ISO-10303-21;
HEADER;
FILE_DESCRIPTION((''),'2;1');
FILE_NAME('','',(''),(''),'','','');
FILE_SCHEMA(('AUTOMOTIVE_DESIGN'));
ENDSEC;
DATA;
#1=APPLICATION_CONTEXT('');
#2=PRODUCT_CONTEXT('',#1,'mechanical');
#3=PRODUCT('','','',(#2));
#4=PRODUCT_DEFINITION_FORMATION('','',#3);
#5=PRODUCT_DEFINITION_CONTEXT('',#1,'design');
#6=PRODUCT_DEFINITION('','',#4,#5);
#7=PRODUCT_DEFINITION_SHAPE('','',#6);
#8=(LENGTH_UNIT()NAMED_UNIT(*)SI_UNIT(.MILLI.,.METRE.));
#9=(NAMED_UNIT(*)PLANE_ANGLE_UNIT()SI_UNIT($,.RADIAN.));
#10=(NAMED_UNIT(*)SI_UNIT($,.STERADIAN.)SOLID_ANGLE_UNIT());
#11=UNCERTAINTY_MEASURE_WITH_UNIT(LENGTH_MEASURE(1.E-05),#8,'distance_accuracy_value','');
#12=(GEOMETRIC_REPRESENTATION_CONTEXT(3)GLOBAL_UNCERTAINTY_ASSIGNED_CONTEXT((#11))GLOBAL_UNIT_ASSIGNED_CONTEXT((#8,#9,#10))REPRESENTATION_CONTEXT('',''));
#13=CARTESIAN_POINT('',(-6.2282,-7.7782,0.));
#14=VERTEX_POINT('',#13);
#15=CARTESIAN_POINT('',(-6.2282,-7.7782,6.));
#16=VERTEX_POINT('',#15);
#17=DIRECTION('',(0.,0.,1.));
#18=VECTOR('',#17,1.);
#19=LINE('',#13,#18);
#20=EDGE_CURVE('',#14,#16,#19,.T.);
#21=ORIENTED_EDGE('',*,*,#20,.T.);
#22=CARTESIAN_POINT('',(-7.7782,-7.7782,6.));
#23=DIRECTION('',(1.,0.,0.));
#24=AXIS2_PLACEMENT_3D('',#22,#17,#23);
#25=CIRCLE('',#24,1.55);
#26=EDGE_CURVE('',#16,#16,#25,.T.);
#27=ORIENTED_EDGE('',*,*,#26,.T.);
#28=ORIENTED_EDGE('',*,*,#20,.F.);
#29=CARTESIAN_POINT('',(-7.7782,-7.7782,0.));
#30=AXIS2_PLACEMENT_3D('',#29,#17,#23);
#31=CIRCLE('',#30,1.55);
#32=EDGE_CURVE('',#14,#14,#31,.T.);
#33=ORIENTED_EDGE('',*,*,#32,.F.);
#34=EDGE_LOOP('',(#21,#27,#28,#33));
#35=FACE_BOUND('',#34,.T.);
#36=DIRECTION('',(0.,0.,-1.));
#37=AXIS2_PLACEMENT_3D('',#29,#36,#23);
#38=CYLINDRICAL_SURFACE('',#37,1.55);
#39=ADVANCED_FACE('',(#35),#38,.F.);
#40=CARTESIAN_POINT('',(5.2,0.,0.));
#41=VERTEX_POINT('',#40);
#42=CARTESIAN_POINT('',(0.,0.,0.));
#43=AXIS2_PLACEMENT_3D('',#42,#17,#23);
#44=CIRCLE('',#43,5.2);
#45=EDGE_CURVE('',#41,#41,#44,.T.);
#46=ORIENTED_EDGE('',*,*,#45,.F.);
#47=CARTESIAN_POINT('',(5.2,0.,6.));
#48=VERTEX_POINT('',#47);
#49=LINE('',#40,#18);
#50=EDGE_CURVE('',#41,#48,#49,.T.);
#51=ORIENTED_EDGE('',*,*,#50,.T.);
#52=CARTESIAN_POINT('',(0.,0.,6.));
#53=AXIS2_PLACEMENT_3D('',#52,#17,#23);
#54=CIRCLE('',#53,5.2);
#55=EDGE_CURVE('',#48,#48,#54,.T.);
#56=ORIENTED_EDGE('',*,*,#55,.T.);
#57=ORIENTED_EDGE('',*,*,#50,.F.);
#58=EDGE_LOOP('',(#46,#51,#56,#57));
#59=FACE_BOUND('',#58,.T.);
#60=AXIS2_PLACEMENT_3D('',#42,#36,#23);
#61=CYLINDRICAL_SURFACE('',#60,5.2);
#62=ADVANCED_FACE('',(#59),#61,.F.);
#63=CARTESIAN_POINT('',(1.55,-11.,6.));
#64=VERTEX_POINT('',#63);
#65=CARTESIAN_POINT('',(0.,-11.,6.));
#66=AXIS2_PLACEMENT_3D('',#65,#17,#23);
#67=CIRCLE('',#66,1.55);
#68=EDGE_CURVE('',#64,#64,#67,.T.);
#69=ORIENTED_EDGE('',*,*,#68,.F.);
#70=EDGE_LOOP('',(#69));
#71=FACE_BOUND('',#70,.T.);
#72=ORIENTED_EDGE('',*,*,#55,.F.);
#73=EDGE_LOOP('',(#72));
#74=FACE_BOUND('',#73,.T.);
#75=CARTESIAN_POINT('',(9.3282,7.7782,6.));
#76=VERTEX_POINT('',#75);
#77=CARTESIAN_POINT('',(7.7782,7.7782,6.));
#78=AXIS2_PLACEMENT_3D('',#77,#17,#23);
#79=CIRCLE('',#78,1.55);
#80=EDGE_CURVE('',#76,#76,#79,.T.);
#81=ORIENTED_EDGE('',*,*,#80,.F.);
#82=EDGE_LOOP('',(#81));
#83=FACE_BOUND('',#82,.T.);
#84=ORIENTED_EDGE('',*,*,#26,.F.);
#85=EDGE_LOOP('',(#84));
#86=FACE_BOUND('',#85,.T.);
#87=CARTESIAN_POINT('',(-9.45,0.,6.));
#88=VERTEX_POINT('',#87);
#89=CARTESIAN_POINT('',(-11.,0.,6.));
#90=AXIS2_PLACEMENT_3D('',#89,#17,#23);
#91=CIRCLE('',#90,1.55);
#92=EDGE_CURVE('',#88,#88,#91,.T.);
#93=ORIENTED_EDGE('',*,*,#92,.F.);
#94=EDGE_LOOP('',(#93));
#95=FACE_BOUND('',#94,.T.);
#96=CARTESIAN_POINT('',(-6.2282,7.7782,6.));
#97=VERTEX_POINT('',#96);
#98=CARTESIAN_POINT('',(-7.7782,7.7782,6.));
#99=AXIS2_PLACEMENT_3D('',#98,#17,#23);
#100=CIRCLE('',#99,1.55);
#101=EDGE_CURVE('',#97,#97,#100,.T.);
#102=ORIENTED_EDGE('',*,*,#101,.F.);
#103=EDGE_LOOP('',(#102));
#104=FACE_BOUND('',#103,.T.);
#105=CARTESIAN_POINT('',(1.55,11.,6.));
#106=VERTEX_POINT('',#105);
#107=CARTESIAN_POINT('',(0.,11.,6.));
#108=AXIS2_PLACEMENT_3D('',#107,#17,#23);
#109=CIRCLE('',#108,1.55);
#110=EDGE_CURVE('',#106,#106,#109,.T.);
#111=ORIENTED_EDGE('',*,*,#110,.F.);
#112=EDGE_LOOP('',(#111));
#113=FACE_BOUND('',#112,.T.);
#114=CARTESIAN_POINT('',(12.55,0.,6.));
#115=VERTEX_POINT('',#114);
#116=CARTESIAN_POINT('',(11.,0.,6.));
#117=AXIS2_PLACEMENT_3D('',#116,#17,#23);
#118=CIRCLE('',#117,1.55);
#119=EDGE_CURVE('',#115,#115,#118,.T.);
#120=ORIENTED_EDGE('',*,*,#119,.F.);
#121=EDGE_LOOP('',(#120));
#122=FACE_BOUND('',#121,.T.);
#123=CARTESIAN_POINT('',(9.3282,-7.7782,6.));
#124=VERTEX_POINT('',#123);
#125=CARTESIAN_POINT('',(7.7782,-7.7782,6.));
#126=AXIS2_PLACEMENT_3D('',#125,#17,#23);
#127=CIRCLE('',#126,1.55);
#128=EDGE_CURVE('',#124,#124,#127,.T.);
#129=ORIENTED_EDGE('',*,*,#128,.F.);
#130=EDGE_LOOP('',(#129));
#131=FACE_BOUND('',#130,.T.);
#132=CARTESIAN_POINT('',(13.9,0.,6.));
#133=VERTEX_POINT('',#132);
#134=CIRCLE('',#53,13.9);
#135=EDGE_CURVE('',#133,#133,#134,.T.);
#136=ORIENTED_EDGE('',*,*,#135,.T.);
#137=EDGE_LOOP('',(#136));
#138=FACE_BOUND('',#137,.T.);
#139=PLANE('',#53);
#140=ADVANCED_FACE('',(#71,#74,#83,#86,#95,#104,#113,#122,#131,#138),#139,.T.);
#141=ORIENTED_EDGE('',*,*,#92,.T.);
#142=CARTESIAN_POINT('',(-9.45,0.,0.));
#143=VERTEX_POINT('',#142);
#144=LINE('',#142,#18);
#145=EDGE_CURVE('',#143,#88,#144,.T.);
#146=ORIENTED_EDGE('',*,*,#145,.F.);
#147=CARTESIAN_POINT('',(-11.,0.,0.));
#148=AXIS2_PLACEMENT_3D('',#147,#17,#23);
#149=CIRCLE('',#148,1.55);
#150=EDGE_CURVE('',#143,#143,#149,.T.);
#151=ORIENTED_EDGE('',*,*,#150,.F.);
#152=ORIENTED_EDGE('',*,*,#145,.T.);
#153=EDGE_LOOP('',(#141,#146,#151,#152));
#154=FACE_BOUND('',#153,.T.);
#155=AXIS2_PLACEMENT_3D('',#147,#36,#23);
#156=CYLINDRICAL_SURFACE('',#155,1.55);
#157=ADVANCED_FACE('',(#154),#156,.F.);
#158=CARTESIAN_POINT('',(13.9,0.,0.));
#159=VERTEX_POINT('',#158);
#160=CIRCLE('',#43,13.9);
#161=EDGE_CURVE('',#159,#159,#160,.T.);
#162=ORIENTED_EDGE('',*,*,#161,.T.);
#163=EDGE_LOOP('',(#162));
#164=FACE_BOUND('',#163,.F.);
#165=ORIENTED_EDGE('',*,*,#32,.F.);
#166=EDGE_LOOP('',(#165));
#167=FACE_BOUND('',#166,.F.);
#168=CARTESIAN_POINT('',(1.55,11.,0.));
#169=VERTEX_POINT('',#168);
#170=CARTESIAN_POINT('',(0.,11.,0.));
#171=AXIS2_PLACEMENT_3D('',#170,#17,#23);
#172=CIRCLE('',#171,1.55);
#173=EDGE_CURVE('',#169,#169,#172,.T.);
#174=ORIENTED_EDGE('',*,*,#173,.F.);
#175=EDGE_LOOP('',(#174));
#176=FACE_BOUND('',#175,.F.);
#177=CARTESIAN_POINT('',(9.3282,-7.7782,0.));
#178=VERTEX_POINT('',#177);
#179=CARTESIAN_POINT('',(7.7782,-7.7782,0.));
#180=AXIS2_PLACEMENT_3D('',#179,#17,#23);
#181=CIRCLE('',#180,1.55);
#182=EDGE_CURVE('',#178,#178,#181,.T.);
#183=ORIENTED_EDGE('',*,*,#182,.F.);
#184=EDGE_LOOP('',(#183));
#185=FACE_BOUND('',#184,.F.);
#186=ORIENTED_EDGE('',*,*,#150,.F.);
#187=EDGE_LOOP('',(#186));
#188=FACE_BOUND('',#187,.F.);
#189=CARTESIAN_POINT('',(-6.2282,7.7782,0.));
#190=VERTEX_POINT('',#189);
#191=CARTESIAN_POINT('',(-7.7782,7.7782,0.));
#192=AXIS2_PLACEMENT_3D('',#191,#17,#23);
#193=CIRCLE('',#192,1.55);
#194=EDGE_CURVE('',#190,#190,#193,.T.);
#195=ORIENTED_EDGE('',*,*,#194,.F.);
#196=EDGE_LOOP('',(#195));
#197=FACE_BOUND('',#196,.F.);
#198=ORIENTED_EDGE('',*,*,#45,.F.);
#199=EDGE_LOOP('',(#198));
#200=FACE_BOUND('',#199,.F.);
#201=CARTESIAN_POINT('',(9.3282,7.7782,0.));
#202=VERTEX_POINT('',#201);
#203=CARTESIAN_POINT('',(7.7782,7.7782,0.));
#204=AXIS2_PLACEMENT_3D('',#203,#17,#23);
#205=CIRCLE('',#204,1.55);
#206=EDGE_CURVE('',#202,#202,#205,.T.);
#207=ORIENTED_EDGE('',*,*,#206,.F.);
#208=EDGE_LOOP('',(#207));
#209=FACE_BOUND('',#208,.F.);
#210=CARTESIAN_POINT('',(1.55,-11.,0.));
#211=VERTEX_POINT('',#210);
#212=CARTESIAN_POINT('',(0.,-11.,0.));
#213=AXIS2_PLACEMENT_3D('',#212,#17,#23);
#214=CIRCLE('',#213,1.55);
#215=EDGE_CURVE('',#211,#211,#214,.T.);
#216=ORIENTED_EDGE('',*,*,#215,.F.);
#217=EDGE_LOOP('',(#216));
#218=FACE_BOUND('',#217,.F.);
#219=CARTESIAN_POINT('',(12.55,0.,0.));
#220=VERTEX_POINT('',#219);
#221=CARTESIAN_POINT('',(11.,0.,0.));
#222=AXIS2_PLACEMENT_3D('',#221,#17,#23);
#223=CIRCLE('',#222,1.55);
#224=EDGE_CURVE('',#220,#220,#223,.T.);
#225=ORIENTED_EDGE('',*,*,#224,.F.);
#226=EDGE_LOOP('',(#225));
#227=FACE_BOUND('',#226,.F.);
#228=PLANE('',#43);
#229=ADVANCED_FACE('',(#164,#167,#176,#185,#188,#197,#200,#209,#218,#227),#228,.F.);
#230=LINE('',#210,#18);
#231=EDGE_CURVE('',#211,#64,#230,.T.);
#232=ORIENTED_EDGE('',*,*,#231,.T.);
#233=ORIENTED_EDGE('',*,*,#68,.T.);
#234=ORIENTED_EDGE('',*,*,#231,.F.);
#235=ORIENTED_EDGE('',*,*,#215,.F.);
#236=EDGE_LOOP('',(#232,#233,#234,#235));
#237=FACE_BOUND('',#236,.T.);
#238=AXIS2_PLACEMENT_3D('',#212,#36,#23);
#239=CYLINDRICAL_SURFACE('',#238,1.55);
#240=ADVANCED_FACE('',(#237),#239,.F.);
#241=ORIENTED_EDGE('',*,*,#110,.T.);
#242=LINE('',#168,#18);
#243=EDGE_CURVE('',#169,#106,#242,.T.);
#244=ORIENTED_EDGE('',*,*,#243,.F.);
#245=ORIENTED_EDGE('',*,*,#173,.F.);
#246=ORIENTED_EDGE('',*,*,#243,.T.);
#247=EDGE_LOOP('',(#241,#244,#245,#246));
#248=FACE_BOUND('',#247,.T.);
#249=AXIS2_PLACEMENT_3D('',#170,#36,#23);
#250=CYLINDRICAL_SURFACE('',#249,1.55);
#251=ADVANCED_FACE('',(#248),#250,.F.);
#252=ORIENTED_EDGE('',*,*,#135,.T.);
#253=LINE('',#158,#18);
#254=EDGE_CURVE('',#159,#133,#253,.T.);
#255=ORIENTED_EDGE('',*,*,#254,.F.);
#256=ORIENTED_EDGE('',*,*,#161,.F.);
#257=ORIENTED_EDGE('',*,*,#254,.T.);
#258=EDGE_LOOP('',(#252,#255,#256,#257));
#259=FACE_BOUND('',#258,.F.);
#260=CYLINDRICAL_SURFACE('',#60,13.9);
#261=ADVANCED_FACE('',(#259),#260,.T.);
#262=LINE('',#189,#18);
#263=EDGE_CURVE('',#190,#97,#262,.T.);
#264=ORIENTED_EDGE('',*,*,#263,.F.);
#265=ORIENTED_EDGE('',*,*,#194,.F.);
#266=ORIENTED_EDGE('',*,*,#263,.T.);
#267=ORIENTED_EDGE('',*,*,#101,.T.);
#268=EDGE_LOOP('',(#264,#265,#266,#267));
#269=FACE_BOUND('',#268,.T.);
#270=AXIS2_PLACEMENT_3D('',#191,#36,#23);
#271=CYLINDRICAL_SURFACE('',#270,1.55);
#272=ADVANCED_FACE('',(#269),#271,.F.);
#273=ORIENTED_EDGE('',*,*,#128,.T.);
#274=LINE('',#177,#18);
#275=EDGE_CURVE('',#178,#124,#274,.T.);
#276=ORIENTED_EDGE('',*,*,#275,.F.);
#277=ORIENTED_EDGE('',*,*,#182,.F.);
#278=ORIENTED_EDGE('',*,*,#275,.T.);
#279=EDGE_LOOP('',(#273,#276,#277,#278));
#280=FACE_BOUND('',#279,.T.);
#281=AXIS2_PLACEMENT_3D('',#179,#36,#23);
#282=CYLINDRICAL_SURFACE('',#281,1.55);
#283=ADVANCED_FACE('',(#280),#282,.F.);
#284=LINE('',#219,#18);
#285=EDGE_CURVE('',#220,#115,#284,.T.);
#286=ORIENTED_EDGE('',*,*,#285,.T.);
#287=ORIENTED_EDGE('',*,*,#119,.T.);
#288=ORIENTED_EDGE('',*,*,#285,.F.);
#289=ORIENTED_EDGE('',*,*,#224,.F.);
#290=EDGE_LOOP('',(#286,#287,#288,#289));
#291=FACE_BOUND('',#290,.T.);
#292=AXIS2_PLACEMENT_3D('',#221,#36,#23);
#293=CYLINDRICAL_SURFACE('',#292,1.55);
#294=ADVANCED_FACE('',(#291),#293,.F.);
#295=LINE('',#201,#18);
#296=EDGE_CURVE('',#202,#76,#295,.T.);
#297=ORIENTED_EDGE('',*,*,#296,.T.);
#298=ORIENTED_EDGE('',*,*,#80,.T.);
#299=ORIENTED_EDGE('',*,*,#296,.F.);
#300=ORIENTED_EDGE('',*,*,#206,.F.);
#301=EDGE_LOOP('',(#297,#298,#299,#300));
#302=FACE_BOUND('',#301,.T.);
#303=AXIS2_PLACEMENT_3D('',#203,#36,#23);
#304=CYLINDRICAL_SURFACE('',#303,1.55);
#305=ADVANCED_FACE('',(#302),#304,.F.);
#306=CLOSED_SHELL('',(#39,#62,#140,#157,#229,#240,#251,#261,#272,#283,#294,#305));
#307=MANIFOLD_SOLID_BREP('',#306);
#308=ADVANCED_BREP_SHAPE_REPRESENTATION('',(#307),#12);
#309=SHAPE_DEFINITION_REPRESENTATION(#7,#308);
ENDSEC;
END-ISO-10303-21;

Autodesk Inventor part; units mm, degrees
ref_plane "YZ Plane" through (0, 0, 0) normal (1, 0, 0) x (0, 1, 0)
ref_plane "XZ Plane" through (0, 0, 0) normal (0, 1, 0) x (-1, 0, 0)
ref_plane "XY Plane" through (0, 0, 0) normal (0, 0, 1) x (1, 0, 0)
ref_plane "작업 평면1" through (0, 0, 0) normal (0, 0, 1) x (1, 0, 0)
sketch "스케치1" plane through (0, 0, 0) normal (0, 0, 1) x (1, 0, 0)
  circle A0 centre (-7.7782, -7.7782) radius 1.55 projected
  circle A1 centre (7.7782, -7.7782) radius 1.55 projected
  circle A2 centre (7.7782, 7.7782) radius 1.55 projected
  circle A3 centre (-7.7782, 7.7782) radius 1.55 projected
  circle A4 centre (0, 0) radius 5 projected
  circle A5 centre (0, 0) radius 13.9 projected
  circle A6 centre (0, 11) radius 1.55 projected
  circle A7 centre (11, 0) radius 1.55 projected
  circle A8 centre (0, -11) radius 1.55 projected
  circle A9 centre (-11, 0) radius 1.55 projected
  circle A10 centre (0, 0) radius 5.2
  circle A11 centre (0, 0) radius 13.9
  circle A12 centre (11, 0) radius 1.35
  circle A13 centre (7.7782, 7.7782) radius 1.35
  circle A14 centre (0, 11) radius 1.35
  circle A15 centre (-7.7782, 7.7782) radius 1.35
  circle A16 centre (-11, 0) radius 1.35
  circle A17 centre (-7.7782, -7.7782) radius 1.35
  circle A18 centre (0, -11) radius 1.35
  circle A19 centre (7.7782, -7.7782) radius 1.35
  dimension "d0" = 0.2
  dimension "d1" = 2.7
  dimension "d4" = 360
extrude "돌출1" add sketch "스케치1" along normal blind 6 contours A5
properties part number "64horn" material "PMMA 플라스틱"
